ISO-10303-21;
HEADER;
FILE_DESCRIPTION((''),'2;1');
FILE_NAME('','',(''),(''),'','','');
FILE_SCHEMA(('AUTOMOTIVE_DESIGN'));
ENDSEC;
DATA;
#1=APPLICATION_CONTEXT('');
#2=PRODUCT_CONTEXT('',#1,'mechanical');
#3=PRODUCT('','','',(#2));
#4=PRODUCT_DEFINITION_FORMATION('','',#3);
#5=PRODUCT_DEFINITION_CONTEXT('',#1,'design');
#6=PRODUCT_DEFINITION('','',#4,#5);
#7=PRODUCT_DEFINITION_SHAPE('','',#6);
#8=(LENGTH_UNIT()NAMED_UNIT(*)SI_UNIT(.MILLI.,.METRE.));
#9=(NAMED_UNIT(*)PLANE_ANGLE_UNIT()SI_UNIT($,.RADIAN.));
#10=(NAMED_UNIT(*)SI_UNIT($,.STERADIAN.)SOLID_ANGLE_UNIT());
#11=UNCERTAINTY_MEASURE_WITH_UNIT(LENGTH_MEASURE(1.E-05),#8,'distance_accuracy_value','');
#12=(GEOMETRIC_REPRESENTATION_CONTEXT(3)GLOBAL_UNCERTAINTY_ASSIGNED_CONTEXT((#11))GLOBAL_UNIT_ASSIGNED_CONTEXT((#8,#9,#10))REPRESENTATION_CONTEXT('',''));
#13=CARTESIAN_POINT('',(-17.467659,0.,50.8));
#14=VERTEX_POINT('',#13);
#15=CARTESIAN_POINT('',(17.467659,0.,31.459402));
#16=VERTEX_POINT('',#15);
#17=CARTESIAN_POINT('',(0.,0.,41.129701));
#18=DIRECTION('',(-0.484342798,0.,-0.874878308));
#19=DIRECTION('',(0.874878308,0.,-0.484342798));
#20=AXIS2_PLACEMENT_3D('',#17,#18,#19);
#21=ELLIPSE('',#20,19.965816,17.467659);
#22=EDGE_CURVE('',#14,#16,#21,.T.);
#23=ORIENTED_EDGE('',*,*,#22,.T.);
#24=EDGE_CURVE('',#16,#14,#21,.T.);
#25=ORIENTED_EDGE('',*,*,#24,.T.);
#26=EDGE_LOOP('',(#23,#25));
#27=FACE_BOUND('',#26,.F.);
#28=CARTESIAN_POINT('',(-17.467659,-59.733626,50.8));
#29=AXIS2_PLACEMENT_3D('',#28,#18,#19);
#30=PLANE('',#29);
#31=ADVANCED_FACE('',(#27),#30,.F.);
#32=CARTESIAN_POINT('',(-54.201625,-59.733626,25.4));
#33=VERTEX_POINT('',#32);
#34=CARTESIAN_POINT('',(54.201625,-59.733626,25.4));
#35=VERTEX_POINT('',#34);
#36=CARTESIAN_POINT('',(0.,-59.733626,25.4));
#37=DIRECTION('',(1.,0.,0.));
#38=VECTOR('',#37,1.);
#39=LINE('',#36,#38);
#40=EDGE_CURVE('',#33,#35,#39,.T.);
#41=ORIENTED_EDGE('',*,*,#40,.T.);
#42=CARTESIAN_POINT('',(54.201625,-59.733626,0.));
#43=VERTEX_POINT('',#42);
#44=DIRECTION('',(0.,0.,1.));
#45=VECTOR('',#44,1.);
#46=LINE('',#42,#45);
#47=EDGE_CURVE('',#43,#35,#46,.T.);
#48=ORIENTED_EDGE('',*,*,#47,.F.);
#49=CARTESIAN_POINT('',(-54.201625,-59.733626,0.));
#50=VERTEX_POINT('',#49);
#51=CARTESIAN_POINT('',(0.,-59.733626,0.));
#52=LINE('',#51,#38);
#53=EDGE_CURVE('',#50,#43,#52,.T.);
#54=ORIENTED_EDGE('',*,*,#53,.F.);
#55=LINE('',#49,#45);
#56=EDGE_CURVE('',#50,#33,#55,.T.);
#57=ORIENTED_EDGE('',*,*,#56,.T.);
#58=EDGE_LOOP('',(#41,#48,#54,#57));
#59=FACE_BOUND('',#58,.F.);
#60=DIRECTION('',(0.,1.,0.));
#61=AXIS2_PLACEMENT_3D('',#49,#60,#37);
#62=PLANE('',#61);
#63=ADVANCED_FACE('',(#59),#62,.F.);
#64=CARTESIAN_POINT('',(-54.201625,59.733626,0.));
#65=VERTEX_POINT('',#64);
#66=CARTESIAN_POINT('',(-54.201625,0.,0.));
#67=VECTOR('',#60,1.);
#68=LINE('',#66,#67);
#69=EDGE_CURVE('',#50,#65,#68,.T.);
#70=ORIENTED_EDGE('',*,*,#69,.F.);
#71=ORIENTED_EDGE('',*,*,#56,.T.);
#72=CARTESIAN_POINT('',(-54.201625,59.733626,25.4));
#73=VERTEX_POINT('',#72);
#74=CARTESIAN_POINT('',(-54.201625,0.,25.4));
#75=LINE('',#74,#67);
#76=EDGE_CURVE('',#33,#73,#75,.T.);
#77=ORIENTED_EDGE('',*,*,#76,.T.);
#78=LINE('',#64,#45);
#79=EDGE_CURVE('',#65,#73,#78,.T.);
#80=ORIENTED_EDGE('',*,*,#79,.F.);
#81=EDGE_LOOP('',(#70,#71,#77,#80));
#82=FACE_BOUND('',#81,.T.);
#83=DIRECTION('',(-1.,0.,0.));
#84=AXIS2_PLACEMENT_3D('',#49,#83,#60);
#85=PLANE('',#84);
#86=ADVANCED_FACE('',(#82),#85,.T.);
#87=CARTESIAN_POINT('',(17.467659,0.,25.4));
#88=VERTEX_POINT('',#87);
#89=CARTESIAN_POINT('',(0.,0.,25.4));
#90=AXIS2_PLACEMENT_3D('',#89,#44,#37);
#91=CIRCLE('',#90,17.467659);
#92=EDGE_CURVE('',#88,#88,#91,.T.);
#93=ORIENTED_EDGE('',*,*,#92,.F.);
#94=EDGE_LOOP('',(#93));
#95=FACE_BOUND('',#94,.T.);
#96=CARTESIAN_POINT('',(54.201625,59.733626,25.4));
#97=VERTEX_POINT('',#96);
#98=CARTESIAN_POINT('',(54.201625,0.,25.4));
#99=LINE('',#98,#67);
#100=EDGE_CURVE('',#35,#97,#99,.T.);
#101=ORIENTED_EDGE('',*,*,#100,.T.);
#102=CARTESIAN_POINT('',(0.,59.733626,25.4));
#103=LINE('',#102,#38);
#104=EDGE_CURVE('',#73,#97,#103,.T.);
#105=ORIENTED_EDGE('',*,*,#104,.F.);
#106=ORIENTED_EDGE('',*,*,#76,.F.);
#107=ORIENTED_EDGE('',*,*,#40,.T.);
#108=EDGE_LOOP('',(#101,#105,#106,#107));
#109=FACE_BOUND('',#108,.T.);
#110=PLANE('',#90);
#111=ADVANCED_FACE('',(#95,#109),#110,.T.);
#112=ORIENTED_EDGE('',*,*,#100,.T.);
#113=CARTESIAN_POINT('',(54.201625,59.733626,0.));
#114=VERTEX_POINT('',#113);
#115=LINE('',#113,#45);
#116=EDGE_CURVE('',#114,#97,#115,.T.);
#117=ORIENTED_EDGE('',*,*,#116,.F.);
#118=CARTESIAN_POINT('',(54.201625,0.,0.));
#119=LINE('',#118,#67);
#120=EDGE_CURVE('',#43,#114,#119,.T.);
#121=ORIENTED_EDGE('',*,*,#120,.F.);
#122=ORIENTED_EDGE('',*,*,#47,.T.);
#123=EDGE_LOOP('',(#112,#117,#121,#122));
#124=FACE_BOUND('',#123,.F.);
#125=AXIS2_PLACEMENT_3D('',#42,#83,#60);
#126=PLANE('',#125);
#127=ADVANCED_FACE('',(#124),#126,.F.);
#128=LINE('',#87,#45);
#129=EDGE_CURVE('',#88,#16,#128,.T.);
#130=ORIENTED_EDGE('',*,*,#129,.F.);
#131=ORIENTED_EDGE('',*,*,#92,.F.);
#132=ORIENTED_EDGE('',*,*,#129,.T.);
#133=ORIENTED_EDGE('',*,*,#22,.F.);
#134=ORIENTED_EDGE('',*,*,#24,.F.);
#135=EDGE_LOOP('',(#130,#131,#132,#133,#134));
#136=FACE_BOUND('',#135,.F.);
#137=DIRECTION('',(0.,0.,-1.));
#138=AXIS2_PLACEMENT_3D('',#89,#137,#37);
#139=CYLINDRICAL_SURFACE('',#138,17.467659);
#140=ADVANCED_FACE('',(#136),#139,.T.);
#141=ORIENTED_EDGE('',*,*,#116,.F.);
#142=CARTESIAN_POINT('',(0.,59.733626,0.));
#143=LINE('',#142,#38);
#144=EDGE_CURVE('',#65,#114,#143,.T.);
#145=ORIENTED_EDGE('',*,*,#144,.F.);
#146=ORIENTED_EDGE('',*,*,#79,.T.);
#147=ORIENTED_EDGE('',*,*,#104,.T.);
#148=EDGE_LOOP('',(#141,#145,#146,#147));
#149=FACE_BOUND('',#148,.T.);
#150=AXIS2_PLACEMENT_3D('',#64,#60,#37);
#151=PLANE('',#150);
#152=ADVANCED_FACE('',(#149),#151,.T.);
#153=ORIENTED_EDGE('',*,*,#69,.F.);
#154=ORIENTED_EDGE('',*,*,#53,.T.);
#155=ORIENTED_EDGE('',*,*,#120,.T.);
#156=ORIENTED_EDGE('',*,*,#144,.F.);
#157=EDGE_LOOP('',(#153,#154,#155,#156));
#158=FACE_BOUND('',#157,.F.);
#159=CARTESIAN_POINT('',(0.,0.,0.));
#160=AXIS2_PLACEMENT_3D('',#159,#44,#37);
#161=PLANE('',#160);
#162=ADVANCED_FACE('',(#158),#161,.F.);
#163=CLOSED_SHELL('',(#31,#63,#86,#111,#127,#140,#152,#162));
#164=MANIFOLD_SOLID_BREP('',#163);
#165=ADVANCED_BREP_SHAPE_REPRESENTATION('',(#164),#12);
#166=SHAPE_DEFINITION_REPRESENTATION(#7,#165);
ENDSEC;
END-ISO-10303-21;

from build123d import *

# Parameters (mm, degrees)
F0_W     = 108.40325
F0_H     = 119.467252
F1_DEPTH = 25.4
F2_R     = 17.467659
F3_DEPTH = 25.4
F5_DEPTH = 119.468251


with BuildPart() as f1:
    # F0 (on Top) → F1 (new body)
    with BuildSketch(Plane.XY):
        Rectangle(F0_W, F0_H)
    extrude(amount=F1_DEPTH)

    # F2 (on face) → F3 (join)
    with BuildSketch(Plane.XY.offset(25.4)):
        Circle(F2_R)
    extrude(amount=F3_DEPTH)

    # F4 (on face) → F5 (cut, through all)
    with BuildSketch(Plane.XZ.offset(59.733626)):
        Polygon((17.467659, 50.8), (-17.467659, 50.8), (17.467659, 31.459402), align=None)
    extrude(amount=-F5_DEPTH, mode=Mode.SUBTRACT)


solid = f1.part
